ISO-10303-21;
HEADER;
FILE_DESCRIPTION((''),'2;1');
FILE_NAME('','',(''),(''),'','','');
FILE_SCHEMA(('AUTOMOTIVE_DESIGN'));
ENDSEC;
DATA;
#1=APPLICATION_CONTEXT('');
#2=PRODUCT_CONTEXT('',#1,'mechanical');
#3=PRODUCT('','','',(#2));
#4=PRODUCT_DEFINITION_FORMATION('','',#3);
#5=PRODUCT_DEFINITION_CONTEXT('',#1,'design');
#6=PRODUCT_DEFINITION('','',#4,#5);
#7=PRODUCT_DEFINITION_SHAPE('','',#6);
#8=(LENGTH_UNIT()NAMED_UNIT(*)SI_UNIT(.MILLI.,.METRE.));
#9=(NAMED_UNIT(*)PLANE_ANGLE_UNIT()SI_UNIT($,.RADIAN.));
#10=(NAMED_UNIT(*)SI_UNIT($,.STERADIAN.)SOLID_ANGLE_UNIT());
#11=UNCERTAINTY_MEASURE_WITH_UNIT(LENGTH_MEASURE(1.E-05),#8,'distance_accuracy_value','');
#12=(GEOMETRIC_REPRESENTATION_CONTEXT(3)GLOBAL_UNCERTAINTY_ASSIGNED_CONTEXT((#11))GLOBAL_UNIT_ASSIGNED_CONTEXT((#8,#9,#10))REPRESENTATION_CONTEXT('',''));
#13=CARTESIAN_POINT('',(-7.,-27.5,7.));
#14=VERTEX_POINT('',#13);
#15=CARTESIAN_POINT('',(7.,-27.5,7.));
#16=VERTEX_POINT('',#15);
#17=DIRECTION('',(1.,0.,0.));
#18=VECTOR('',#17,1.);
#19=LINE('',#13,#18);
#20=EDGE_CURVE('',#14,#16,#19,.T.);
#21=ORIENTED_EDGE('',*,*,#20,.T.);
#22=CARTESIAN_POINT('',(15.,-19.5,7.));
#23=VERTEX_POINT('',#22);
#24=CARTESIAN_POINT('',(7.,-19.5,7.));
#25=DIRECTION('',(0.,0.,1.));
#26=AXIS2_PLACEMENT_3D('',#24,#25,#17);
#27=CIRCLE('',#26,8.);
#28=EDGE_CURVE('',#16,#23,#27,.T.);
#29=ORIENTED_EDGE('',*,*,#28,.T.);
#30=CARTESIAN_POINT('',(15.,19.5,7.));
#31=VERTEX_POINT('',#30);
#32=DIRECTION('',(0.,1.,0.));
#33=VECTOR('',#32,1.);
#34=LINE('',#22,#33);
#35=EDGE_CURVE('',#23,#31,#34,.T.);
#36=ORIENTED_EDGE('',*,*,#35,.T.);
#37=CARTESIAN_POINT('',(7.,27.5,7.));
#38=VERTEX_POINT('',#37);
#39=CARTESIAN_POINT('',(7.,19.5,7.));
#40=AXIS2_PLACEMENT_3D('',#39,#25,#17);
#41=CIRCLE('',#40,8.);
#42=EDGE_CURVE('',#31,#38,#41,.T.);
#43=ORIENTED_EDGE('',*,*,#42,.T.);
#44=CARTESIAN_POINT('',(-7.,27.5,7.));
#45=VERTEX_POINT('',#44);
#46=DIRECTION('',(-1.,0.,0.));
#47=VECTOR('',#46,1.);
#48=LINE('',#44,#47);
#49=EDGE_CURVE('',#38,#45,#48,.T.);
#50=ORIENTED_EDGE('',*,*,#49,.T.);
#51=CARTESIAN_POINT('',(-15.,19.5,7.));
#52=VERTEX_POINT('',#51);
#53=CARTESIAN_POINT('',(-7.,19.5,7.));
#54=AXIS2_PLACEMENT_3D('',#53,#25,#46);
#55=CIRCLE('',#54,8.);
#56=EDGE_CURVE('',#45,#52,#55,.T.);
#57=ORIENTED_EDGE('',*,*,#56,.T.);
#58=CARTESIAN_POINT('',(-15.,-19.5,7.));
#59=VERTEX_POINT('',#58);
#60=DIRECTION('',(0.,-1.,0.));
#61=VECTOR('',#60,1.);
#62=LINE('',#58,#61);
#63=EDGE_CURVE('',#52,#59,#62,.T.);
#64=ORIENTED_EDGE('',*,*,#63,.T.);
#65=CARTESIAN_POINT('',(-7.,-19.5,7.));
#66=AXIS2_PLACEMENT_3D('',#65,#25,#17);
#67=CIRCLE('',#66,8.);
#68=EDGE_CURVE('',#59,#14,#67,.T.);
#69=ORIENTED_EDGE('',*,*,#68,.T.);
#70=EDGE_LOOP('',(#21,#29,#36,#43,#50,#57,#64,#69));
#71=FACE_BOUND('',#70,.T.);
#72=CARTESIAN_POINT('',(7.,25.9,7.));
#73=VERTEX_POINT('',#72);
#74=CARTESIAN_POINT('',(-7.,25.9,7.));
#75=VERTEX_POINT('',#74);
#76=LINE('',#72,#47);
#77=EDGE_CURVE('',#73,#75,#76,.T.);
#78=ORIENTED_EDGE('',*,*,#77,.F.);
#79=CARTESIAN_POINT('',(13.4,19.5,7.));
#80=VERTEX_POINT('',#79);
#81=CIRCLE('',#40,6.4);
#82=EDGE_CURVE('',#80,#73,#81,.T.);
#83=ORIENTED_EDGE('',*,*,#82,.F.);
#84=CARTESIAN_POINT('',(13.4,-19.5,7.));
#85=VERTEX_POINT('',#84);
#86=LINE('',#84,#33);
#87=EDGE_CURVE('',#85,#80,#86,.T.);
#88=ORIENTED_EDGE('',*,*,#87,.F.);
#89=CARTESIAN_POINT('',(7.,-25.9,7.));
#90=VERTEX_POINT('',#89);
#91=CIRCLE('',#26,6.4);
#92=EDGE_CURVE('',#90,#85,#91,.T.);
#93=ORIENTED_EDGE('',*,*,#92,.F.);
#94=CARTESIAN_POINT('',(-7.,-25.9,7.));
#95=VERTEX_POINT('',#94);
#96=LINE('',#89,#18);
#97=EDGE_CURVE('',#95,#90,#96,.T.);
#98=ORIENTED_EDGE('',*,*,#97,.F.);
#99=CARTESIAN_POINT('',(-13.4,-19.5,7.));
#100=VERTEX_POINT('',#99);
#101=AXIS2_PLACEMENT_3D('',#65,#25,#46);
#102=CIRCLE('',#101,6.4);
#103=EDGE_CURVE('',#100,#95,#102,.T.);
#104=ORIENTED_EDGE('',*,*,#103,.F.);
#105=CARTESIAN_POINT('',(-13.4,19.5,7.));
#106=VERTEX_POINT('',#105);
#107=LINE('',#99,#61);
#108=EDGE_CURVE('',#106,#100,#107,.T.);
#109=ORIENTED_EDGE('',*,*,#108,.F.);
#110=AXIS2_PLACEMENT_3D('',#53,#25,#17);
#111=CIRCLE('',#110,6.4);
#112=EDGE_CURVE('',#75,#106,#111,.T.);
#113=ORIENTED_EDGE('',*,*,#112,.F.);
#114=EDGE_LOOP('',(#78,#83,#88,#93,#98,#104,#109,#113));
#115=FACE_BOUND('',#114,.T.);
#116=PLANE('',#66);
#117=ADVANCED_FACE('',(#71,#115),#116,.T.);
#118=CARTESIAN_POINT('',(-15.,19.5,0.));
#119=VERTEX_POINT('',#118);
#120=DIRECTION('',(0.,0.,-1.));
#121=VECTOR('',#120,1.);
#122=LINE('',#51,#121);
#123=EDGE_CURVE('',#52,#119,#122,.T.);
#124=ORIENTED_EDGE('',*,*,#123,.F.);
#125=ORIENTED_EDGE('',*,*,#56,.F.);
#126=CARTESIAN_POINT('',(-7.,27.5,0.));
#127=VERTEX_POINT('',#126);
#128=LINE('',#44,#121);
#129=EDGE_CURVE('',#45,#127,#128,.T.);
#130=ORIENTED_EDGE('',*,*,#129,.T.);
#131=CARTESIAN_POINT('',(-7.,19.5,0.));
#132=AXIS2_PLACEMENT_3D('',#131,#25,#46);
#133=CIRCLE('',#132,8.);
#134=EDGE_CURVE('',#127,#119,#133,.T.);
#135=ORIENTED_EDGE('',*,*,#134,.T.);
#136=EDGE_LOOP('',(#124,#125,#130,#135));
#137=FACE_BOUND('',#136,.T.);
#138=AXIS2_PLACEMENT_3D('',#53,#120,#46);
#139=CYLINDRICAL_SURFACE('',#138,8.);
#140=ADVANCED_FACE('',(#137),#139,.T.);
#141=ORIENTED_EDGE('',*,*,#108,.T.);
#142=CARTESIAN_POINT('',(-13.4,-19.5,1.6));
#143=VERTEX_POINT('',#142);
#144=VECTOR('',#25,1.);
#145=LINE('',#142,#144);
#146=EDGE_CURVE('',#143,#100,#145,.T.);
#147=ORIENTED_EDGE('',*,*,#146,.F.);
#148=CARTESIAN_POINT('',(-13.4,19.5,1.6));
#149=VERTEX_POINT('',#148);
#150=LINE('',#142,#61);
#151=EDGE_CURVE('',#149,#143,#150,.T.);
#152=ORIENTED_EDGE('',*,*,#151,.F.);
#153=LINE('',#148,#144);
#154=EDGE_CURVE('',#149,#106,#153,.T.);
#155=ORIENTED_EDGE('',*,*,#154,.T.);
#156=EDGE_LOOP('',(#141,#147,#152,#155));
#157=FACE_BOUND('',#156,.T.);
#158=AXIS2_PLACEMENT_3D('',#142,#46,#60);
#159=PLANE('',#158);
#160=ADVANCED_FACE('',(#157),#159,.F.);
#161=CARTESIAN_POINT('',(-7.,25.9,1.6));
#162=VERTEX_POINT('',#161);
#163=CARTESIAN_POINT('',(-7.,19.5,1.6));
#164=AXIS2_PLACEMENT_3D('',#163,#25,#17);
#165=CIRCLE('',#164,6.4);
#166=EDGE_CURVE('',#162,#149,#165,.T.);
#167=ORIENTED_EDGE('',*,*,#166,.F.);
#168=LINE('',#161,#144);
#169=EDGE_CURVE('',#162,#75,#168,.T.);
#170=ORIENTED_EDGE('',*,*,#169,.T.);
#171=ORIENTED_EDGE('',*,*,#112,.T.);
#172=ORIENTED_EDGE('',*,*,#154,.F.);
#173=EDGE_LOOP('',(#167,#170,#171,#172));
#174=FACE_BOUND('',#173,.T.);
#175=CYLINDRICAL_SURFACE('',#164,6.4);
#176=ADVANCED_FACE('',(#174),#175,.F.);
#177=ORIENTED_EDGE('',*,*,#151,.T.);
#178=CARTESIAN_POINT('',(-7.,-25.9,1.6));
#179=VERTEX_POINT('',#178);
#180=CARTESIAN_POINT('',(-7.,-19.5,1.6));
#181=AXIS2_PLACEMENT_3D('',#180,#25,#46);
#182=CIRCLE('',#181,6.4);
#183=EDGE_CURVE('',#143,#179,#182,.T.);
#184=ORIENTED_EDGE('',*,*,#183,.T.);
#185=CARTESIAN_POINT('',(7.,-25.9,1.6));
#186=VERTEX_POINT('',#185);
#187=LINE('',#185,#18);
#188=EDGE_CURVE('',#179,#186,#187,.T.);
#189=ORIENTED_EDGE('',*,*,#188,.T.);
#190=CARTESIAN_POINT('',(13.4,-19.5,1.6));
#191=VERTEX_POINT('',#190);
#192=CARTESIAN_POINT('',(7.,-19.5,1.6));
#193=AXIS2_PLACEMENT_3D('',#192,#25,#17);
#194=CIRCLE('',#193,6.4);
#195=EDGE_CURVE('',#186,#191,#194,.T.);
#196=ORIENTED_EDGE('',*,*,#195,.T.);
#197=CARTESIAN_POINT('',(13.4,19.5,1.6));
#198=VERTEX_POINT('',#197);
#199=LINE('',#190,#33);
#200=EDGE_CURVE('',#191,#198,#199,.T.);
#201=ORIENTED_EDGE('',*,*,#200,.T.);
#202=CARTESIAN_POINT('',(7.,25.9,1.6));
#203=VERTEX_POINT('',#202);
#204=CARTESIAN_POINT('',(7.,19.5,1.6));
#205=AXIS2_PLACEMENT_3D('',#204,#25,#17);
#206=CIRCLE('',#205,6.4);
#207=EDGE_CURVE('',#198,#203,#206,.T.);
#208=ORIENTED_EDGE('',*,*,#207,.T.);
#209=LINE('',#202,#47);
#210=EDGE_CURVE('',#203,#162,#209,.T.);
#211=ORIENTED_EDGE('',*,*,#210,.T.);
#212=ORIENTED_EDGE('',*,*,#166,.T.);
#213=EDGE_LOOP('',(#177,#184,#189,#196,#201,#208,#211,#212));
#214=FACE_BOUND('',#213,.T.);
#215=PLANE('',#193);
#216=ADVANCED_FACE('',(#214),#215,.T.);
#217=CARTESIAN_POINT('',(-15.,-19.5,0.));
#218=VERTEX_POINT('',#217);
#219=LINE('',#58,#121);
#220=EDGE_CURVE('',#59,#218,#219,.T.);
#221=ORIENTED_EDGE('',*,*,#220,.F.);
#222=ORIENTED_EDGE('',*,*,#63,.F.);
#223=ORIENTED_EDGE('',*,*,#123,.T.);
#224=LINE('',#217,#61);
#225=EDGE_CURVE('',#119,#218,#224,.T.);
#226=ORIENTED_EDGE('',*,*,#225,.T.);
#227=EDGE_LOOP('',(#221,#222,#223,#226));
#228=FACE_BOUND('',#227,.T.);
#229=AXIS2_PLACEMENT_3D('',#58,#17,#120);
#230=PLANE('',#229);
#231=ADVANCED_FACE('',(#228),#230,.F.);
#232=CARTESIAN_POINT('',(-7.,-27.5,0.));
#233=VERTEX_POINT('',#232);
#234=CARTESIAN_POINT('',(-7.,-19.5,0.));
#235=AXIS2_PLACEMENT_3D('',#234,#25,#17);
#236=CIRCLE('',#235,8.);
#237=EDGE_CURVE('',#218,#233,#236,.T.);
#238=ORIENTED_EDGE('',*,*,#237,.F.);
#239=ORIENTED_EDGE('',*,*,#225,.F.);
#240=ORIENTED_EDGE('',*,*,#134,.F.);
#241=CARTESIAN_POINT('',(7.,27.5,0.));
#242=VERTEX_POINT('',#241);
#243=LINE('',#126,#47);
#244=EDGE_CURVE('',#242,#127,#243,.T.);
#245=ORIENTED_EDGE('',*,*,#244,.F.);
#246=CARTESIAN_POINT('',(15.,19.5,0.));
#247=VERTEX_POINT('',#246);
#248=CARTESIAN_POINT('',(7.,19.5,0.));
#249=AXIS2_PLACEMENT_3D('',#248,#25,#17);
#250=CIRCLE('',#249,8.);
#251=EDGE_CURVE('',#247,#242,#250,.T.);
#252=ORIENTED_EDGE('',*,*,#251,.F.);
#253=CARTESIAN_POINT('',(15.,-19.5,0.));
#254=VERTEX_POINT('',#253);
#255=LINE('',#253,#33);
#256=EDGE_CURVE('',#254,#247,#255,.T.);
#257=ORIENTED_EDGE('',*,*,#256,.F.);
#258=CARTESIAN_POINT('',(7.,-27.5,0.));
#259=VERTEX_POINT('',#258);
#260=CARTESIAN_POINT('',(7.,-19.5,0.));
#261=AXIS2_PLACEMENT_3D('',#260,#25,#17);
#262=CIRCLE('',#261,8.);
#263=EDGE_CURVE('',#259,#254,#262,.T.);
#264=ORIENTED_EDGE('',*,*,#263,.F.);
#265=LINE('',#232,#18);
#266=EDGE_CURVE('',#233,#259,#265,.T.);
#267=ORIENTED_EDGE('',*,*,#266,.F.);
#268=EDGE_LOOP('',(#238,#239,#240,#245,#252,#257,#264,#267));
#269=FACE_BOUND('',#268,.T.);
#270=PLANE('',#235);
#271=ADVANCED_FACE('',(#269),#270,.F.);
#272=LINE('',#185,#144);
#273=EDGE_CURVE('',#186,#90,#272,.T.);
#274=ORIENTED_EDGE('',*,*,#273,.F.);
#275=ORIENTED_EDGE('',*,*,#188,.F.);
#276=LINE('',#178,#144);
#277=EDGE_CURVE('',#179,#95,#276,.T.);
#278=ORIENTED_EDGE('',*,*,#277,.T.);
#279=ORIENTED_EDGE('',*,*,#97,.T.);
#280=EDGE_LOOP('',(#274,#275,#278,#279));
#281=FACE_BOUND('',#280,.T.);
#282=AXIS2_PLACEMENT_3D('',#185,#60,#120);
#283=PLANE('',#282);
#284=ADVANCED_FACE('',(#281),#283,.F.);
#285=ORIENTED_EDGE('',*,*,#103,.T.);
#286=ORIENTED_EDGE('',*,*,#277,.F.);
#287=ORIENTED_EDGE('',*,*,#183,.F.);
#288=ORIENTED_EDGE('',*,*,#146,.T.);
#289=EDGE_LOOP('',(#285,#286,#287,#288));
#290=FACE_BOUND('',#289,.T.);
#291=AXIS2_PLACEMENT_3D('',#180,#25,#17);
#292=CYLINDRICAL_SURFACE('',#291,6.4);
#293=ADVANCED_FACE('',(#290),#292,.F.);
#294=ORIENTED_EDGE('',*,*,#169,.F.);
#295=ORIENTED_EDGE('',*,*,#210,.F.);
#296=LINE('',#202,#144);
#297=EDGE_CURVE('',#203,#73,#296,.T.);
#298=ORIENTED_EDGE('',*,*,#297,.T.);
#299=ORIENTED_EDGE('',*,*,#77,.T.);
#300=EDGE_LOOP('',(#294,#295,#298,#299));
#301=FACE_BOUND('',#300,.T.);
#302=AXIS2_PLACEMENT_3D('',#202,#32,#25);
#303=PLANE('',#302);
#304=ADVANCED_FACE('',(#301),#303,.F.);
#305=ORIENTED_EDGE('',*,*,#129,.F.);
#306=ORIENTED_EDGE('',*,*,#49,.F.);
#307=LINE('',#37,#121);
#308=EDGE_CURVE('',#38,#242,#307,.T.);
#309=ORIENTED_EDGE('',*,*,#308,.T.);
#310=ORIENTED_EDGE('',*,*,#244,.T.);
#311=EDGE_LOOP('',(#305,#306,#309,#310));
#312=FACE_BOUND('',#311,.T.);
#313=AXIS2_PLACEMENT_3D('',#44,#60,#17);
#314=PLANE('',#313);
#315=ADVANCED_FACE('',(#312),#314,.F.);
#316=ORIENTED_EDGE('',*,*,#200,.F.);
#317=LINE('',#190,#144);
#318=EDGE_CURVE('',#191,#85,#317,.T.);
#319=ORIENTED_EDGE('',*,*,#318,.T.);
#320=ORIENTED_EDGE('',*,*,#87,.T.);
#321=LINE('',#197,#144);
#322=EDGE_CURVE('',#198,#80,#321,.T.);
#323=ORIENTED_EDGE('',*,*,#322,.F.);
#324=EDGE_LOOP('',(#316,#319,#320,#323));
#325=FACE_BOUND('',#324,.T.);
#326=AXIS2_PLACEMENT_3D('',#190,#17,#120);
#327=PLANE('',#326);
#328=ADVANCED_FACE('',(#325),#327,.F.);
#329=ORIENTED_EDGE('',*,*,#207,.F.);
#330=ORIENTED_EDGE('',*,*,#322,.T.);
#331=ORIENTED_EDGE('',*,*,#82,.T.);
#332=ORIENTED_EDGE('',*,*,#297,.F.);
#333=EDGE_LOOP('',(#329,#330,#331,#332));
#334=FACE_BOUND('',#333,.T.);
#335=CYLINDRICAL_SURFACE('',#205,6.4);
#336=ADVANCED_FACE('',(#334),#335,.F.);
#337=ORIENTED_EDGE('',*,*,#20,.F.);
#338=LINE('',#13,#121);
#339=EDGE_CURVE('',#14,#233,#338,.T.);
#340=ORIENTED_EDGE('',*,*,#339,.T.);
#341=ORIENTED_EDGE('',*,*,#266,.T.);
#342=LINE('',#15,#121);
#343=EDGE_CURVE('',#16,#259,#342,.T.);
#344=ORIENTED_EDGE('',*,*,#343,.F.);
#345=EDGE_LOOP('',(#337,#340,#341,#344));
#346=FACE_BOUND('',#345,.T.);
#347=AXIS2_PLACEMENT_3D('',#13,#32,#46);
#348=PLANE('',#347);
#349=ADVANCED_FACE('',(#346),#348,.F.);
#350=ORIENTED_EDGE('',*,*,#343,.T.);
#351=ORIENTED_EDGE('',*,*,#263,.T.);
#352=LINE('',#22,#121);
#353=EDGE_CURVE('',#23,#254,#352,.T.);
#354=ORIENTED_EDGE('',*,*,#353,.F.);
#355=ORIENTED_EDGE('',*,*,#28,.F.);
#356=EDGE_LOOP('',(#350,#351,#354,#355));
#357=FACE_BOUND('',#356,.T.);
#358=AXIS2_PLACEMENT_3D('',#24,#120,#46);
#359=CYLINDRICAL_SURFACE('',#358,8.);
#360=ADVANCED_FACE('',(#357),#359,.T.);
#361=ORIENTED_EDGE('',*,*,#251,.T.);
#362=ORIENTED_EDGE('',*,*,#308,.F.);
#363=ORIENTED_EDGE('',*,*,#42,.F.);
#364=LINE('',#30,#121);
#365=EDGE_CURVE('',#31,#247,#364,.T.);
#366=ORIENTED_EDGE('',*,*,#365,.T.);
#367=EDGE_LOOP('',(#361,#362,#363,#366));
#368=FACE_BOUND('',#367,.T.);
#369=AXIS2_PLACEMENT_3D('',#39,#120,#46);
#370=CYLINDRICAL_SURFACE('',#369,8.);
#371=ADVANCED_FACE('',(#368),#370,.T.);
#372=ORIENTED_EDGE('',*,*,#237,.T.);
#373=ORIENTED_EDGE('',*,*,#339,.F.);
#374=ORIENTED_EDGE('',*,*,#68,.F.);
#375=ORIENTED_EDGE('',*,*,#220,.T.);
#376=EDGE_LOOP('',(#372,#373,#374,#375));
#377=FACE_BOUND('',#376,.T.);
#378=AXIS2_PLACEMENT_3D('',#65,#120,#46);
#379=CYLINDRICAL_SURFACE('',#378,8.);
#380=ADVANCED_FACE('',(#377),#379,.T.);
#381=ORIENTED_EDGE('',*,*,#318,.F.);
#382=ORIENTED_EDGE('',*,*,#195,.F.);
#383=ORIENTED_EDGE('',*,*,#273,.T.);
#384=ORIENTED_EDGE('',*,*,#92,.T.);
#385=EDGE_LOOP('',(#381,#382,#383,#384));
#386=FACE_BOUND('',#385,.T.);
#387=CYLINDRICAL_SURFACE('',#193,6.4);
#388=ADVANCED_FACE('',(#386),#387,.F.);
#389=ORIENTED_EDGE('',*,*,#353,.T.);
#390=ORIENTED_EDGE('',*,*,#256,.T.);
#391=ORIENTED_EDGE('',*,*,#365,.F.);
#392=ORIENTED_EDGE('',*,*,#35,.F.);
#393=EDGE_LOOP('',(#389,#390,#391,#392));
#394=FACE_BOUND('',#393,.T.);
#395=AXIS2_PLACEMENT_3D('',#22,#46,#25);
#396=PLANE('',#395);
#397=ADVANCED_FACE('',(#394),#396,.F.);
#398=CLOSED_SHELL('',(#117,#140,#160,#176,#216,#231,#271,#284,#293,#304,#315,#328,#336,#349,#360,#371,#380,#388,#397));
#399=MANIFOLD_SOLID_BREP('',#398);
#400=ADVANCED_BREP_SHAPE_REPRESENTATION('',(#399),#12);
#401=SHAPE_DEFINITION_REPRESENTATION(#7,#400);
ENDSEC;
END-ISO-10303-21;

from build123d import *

# Parameters (mm, degrees)
BOSS_EXTRUDE1_DEPTH = 7
CUT_EXTRUDE1_DEPTH  = 5.4


with BuildPart() as part:
    # Sketch1 → Boss-Extrude1 (new body)
    with BuildSketch(Plane(origin=(0, 0, 0), x_dir=(0, 1, 0), z_dir=(0, 0, 1))):
        with BuildLine():
            Line((-19.5, 15), (19.5, 15))
            ThreePointArc((19.5, 15), (25.156854249, 12.656854249), (27.5, 7))
            Line((27.5, 7), (27.5, -7))
            ThreePointArc((27.5, -7), (25.156854249, -12.656854249), (19.5, -15))
            Line((19.5, -15), (-19.5, -15))
            ThreePointArc((-19.5, -15), (-25.156854249, -12.656854249), (-27.5, -7))
            Line((-27.5, -7), (-27.5, 7))
            ThreePointArc((-27.5, 7), (-25.156854249, 12.656854249), (-19.5, 15))
        make_face()
    extrude(amount=BOSS_EXTRUDE1_DEPTH)

    # Sketch2 → Cut-Extrude1 (cut)
    with BuildSketch(Plane.XY.offset(7)):
        with BuildLine():
            Line((7, -25.9), (-7, -25.9))
            ThreePointArc((-7, -25.9), (-11.5254834, -24.0254834), (-13.4, -19.5))
            Line((-13.4, -19.5), (-13.4, 19.5))
            ThreePointArc((-13.4, 19.5), (-11.5254834, 24.0254834), (-7, 25.9))
            Line((-7, 25.9), (7, 25.9))
            ThreePointArc((7, 25.9), (11.5254834, 24.0254834), (13.4, 19.5))
            Line((13.4, 19.5), (13.4, -19.5))
            ThreePointArc((13.4, -19.5), (11.5254834, -24.0254834), (7, -25.9))
        make_face()
    extrude(amount=-CUT_EXTRUDE1_DEPTH, mode=Mode.SUBTRACT)


solid = part.part
